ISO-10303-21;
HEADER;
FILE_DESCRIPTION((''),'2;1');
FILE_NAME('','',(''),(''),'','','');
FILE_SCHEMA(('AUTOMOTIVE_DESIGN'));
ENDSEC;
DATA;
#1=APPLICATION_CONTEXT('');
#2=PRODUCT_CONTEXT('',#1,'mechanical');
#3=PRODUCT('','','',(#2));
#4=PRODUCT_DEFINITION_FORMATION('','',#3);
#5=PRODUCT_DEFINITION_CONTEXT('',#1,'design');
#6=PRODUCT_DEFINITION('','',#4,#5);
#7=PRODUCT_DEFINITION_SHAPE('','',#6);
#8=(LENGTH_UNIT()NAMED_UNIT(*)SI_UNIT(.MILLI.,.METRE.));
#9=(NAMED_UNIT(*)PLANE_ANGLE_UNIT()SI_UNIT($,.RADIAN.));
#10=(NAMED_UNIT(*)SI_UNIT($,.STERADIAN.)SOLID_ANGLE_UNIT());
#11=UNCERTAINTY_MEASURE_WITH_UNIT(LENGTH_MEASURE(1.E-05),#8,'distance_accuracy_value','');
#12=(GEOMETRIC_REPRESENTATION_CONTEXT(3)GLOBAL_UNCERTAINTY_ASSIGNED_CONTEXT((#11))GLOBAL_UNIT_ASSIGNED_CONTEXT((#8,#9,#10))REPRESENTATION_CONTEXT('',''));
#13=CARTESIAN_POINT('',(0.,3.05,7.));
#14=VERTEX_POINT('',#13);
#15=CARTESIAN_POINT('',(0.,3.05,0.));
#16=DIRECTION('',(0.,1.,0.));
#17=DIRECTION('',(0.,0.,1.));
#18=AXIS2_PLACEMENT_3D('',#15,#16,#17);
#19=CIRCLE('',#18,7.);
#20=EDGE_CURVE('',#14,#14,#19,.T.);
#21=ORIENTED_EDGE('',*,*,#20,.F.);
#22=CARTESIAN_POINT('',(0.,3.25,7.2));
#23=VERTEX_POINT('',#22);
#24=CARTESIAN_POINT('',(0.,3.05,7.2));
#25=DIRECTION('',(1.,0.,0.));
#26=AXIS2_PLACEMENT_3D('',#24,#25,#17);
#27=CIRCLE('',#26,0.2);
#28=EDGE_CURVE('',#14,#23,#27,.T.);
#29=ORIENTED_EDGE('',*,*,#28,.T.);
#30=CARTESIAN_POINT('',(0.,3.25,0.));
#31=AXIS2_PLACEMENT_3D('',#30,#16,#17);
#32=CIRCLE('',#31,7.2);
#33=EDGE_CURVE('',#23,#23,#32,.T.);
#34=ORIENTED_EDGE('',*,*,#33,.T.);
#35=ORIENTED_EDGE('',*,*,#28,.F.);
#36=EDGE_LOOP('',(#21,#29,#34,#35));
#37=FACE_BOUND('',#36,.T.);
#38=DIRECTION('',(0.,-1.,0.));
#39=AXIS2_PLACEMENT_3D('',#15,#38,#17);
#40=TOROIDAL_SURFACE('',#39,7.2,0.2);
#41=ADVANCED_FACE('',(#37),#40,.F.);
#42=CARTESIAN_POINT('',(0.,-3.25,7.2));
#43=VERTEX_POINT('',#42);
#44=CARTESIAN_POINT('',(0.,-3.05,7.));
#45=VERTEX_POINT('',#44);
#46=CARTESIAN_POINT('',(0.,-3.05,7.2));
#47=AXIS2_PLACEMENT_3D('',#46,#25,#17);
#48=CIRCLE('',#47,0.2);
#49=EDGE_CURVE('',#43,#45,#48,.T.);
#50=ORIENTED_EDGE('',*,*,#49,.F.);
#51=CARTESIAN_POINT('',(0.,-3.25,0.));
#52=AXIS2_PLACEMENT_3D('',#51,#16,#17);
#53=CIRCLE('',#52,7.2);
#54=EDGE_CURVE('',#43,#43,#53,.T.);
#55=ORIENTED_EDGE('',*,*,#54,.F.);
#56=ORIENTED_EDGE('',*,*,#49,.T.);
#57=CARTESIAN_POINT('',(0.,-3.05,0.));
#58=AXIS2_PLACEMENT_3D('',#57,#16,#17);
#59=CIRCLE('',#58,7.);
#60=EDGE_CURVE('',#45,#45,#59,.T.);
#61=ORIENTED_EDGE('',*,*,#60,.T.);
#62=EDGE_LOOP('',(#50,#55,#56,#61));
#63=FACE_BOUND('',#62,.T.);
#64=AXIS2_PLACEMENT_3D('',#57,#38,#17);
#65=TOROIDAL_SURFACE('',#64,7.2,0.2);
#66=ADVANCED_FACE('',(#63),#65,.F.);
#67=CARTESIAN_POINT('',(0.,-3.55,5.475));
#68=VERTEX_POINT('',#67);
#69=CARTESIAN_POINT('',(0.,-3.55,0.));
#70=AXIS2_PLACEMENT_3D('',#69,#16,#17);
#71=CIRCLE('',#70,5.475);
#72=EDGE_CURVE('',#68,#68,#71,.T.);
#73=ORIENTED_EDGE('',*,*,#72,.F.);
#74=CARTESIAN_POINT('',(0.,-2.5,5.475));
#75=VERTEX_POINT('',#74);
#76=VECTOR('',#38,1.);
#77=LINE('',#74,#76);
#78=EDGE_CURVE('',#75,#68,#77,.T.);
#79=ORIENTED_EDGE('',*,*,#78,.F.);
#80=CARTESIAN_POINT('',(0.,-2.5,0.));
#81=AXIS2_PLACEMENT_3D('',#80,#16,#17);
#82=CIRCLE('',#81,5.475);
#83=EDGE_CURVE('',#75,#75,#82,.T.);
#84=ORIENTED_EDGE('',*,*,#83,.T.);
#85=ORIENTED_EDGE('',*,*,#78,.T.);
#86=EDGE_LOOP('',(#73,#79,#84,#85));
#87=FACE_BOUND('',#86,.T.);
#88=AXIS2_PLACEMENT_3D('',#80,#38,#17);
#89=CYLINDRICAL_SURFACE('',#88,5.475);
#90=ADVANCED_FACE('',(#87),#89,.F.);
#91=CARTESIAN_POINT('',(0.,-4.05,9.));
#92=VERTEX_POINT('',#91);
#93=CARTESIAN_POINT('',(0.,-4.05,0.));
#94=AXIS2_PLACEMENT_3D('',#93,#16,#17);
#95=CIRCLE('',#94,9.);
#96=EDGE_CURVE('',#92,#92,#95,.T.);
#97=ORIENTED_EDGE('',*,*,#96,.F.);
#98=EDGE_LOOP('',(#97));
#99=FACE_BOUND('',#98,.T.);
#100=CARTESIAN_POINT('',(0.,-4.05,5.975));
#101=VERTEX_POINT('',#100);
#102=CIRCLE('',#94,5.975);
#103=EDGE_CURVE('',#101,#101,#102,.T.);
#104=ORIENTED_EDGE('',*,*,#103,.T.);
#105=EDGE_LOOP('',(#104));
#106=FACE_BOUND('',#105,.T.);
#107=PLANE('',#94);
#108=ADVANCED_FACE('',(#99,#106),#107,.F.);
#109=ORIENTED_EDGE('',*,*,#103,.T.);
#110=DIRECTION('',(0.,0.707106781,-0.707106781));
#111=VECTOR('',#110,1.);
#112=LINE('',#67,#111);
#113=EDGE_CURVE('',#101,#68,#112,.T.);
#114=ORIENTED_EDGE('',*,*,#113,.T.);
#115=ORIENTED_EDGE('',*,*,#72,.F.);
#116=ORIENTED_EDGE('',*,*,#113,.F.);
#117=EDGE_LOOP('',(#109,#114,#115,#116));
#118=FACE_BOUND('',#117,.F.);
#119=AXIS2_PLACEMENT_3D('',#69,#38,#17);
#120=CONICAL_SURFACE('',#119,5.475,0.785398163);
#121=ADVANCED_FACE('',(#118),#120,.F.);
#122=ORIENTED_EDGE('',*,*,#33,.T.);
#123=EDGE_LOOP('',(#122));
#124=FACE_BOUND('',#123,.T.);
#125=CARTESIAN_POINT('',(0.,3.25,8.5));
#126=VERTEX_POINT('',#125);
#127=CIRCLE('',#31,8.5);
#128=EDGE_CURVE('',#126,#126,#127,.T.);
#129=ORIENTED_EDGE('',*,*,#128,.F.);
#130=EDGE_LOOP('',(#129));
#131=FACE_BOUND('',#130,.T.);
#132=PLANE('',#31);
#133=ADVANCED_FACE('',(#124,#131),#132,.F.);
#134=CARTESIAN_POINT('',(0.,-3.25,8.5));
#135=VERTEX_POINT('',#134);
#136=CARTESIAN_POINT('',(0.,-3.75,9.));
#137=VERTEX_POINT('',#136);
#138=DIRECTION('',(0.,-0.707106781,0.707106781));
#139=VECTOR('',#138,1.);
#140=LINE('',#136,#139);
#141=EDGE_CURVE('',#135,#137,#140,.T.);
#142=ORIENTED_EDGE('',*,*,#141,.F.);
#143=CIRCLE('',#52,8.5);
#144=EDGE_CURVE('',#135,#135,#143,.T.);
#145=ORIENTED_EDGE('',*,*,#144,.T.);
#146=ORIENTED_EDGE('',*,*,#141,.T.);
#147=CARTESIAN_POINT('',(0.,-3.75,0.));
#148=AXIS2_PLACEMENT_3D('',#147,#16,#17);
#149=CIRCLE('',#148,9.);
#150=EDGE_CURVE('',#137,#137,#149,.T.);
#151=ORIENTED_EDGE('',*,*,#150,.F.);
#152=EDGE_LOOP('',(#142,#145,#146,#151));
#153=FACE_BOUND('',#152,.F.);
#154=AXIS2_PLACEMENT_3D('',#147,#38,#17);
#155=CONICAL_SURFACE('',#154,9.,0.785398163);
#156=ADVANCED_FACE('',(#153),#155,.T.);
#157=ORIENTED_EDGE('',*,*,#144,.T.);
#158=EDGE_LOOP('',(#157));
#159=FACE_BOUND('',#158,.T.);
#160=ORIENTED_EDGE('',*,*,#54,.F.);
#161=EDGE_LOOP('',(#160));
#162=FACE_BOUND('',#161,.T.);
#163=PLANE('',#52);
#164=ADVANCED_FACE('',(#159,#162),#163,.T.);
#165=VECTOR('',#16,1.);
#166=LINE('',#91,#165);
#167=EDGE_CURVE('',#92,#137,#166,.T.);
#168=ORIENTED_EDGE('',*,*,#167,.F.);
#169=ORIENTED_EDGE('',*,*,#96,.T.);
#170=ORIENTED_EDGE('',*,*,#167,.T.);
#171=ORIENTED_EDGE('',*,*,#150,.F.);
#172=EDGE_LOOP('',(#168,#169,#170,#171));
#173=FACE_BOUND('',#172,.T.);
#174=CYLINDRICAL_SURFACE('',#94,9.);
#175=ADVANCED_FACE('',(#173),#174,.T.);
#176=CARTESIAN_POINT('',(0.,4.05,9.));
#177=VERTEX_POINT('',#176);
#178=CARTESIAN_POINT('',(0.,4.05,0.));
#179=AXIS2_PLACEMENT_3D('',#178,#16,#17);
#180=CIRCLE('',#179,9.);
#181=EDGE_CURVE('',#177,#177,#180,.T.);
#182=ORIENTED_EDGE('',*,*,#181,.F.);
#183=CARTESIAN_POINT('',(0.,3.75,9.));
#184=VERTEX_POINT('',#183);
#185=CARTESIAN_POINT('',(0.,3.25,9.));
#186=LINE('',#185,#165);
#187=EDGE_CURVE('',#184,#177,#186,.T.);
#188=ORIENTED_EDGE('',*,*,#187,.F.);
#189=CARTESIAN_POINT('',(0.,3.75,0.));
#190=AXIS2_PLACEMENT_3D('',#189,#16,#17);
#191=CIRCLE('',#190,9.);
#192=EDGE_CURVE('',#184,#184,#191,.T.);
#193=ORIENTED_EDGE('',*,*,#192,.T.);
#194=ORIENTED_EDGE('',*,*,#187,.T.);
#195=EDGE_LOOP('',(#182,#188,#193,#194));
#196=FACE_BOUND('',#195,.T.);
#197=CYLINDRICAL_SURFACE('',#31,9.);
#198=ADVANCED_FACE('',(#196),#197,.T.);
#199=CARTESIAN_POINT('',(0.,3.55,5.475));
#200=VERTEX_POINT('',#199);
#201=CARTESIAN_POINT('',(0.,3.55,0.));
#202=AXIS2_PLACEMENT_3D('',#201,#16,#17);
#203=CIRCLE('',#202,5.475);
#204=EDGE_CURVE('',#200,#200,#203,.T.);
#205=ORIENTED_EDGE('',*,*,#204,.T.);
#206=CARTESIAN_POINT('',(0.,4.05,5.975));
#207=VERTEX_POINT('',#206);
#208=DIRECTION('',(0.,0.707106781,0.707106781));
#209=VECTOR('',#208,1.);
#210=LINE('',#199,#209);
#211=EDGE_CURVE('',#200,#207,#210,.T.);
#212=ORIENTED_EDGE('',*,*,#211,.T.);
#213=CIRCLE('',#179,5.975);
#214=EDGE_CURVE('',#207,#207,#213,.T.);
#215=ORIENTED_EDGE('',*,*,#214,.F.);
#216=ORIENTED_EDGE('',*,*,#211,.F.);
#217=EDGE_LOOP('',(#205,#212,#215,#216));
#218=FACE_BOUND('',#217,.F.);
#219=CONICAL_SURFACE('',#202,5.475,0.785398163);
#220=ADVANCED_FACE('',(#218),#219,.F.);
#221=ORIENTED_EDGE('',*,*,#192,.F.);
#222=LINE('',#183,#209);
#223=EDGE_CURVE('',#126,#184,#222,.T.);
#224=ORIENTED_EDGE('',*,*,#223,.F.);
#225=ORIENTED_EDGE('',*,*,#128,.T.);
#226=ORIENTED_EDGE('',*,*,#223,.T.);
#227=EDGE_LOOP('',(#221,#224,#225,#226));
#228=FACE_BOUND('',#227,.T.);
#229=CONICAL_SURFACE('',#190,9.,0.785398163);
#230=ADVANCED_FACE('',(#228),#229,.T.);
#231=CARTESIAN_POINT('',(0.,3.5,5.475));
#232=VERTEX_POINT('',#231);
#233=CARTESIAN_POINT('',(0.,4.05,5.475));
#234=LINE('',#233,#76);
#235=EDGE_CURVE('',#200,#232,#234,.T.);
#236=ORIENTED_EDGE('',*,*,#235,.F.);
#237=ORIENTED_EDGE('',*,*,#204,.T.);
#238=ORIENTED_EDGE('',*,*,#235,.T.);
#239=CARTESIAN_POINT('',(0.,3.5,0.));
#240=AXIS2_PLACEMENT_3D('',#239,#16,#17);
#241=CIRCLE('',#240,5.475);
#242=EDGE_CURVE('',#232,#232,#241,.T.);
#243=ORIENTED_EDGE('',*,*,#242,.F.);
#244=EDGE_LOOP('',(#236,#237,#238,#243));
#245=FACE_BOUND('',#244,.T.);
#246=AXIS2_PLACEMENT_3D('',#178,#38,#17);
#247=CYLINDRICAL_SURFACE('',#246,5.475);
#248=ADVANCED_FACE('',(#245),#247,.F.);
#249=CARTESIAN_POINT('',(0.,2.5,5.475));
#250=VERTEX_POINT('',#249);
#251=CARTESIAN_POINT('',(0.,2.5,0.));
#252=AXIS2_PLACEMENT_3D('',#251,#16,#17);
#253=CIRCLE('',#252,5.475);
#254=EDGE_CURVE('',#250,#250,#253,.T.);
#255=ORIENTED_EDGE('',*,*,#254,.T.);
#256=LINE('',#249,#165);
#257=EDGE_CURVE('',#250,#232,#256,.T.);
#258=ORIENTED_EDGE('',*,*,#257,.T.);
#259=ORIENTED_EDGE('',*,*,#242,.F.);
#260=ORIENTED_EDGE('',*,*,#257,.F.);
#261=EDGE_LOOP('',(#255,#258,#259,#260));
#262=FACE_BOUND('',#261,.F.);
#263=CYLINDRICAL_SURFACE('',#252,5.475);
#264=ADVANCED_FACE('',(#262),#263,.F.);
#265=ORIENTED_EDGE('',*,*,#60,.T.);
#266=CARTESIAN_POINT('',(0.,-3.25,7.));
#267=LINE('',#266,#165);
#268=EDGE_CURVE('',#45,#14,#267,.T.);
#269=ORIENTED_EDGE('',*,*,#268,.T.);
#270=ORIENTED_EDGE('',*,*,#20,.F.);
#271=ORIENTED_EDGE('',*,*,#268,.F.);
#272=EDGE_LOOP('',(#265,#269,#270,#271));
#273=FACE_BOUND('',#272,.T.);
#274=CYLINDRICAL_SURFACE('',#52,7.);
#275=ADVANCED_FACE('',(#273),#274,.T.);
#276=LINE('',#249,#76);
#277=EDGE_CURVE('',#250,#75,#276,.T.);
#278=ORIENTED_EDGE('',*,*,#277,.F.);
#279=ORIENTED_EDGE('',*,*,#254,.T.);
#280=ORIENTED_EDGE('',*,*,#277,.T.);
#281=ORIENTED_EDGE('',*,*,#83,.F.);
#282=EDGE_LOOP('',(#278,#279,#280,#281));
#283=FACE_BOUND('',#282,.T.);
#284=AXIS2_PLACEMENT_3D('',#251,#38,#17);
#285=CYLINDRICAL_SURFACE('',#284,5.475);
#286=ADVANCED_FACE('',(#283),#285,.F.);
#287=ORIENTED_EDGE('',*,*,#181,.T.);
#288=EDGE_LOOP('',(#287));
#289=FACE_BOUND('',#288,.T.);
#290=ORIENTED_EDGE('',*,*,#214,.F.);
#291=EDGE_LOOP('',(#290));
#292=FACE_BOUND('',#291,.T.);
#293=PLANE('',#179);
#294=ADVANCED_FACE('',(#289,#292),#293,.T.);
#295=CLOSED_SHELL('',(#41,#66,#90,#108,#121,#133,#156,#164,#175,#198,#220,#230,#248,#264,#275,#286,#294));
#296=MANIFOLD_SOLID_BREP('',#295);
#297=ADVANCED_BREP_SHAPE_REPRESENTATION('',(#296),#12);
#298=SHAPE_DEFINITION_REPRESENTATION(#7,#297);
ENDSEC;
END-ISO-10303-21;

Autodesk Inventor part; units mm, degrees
ref_plane "YZ Plane" through (0, 0, 0) normal (1, 0, 0) x (0, 1, 0)
ref_plane "XZ Plane" through (0, 0, 0) normal (0, 1, 0) x (-1, 0, 0)
ref_plane "XY Plane" through (0, 0, 0) normal (0, 0, 1) x (1, 0, 0)
sketch "Esboço1" plane through (0, 0, 0) normal (1, 0, 0) x (0, 1, 0)
  line L0 (-4.05, 9) -> (-3.25, 9)
  line L1 (-3.25, 9) -> (-3.25, 7)
  line L2 (-3.25, 7) -> (3.25, 7)
  line L3 (3.25, 7) -> (3.25, 9)
  line L4 (3.25, 9) -> (4.05, 9)
  line L5 (4.05, 9) -> (4.05, 5.475)
  line L6 (-2.5, 5.475) -> (-4.05, 5.475)
  line L7 (-4.05, 5.475) -> (-4.05, 9)
  line L8 (-21.75, 0) -> (21.75, 0)
  line L9 (-2.5, 5.475) -> (-2.5, 5.475)
  line L10 (2.5, 5.475) -> (2.5, 5.475)
  line L11 (2.5, 5.475) -> (3.5, 5.475)
  line L12 (3.5, 5.475) -> (3.5, 5.475)
  line L13 (4.05, 5.475) -> (3.5, 5.475)
  line L14 (2.5, 5.475) -> (-2.5, 5.475)
  point P0 (0, 0)
  point P1 (0, 0)
  point P2 (0, 5.475)
  point P3 (0, 7)
  dimension "d3" = 0.8
  dimension "d4" = 14
  dimension "d5" = 18
  dimension "d11" = 2.5
  dimension "d14" = 10.95
  dimension "d16" = 6.5
  dimension "d17" = 2.5
  dimension "d19" = 10.95
  dimension "d20" = 125
  dimension "d21" = 0
  dimension "d22" = 1
revolve "Revolução1" add sketch "Esboço1" angle 360 about axis through (0, -21.75, 0) along (0, 1, 0)
fillet "Arredondamento1" radius 0.2 2 edges at (0, 3.25, -7) (0, -3.25, -7)
chamfer "Chamfer2" distance 0.5 angle 45 2 edges at (0, -3.25, -9) (0, 3.25, -9)
chamfer "Chamfer3" distance 0.5 angle 45 2 edges at (0, -4.05, -5.475) (0, 4.05, -5.475)
properties part number "PoliaLisaGT2" material "Aluminum 6061"
